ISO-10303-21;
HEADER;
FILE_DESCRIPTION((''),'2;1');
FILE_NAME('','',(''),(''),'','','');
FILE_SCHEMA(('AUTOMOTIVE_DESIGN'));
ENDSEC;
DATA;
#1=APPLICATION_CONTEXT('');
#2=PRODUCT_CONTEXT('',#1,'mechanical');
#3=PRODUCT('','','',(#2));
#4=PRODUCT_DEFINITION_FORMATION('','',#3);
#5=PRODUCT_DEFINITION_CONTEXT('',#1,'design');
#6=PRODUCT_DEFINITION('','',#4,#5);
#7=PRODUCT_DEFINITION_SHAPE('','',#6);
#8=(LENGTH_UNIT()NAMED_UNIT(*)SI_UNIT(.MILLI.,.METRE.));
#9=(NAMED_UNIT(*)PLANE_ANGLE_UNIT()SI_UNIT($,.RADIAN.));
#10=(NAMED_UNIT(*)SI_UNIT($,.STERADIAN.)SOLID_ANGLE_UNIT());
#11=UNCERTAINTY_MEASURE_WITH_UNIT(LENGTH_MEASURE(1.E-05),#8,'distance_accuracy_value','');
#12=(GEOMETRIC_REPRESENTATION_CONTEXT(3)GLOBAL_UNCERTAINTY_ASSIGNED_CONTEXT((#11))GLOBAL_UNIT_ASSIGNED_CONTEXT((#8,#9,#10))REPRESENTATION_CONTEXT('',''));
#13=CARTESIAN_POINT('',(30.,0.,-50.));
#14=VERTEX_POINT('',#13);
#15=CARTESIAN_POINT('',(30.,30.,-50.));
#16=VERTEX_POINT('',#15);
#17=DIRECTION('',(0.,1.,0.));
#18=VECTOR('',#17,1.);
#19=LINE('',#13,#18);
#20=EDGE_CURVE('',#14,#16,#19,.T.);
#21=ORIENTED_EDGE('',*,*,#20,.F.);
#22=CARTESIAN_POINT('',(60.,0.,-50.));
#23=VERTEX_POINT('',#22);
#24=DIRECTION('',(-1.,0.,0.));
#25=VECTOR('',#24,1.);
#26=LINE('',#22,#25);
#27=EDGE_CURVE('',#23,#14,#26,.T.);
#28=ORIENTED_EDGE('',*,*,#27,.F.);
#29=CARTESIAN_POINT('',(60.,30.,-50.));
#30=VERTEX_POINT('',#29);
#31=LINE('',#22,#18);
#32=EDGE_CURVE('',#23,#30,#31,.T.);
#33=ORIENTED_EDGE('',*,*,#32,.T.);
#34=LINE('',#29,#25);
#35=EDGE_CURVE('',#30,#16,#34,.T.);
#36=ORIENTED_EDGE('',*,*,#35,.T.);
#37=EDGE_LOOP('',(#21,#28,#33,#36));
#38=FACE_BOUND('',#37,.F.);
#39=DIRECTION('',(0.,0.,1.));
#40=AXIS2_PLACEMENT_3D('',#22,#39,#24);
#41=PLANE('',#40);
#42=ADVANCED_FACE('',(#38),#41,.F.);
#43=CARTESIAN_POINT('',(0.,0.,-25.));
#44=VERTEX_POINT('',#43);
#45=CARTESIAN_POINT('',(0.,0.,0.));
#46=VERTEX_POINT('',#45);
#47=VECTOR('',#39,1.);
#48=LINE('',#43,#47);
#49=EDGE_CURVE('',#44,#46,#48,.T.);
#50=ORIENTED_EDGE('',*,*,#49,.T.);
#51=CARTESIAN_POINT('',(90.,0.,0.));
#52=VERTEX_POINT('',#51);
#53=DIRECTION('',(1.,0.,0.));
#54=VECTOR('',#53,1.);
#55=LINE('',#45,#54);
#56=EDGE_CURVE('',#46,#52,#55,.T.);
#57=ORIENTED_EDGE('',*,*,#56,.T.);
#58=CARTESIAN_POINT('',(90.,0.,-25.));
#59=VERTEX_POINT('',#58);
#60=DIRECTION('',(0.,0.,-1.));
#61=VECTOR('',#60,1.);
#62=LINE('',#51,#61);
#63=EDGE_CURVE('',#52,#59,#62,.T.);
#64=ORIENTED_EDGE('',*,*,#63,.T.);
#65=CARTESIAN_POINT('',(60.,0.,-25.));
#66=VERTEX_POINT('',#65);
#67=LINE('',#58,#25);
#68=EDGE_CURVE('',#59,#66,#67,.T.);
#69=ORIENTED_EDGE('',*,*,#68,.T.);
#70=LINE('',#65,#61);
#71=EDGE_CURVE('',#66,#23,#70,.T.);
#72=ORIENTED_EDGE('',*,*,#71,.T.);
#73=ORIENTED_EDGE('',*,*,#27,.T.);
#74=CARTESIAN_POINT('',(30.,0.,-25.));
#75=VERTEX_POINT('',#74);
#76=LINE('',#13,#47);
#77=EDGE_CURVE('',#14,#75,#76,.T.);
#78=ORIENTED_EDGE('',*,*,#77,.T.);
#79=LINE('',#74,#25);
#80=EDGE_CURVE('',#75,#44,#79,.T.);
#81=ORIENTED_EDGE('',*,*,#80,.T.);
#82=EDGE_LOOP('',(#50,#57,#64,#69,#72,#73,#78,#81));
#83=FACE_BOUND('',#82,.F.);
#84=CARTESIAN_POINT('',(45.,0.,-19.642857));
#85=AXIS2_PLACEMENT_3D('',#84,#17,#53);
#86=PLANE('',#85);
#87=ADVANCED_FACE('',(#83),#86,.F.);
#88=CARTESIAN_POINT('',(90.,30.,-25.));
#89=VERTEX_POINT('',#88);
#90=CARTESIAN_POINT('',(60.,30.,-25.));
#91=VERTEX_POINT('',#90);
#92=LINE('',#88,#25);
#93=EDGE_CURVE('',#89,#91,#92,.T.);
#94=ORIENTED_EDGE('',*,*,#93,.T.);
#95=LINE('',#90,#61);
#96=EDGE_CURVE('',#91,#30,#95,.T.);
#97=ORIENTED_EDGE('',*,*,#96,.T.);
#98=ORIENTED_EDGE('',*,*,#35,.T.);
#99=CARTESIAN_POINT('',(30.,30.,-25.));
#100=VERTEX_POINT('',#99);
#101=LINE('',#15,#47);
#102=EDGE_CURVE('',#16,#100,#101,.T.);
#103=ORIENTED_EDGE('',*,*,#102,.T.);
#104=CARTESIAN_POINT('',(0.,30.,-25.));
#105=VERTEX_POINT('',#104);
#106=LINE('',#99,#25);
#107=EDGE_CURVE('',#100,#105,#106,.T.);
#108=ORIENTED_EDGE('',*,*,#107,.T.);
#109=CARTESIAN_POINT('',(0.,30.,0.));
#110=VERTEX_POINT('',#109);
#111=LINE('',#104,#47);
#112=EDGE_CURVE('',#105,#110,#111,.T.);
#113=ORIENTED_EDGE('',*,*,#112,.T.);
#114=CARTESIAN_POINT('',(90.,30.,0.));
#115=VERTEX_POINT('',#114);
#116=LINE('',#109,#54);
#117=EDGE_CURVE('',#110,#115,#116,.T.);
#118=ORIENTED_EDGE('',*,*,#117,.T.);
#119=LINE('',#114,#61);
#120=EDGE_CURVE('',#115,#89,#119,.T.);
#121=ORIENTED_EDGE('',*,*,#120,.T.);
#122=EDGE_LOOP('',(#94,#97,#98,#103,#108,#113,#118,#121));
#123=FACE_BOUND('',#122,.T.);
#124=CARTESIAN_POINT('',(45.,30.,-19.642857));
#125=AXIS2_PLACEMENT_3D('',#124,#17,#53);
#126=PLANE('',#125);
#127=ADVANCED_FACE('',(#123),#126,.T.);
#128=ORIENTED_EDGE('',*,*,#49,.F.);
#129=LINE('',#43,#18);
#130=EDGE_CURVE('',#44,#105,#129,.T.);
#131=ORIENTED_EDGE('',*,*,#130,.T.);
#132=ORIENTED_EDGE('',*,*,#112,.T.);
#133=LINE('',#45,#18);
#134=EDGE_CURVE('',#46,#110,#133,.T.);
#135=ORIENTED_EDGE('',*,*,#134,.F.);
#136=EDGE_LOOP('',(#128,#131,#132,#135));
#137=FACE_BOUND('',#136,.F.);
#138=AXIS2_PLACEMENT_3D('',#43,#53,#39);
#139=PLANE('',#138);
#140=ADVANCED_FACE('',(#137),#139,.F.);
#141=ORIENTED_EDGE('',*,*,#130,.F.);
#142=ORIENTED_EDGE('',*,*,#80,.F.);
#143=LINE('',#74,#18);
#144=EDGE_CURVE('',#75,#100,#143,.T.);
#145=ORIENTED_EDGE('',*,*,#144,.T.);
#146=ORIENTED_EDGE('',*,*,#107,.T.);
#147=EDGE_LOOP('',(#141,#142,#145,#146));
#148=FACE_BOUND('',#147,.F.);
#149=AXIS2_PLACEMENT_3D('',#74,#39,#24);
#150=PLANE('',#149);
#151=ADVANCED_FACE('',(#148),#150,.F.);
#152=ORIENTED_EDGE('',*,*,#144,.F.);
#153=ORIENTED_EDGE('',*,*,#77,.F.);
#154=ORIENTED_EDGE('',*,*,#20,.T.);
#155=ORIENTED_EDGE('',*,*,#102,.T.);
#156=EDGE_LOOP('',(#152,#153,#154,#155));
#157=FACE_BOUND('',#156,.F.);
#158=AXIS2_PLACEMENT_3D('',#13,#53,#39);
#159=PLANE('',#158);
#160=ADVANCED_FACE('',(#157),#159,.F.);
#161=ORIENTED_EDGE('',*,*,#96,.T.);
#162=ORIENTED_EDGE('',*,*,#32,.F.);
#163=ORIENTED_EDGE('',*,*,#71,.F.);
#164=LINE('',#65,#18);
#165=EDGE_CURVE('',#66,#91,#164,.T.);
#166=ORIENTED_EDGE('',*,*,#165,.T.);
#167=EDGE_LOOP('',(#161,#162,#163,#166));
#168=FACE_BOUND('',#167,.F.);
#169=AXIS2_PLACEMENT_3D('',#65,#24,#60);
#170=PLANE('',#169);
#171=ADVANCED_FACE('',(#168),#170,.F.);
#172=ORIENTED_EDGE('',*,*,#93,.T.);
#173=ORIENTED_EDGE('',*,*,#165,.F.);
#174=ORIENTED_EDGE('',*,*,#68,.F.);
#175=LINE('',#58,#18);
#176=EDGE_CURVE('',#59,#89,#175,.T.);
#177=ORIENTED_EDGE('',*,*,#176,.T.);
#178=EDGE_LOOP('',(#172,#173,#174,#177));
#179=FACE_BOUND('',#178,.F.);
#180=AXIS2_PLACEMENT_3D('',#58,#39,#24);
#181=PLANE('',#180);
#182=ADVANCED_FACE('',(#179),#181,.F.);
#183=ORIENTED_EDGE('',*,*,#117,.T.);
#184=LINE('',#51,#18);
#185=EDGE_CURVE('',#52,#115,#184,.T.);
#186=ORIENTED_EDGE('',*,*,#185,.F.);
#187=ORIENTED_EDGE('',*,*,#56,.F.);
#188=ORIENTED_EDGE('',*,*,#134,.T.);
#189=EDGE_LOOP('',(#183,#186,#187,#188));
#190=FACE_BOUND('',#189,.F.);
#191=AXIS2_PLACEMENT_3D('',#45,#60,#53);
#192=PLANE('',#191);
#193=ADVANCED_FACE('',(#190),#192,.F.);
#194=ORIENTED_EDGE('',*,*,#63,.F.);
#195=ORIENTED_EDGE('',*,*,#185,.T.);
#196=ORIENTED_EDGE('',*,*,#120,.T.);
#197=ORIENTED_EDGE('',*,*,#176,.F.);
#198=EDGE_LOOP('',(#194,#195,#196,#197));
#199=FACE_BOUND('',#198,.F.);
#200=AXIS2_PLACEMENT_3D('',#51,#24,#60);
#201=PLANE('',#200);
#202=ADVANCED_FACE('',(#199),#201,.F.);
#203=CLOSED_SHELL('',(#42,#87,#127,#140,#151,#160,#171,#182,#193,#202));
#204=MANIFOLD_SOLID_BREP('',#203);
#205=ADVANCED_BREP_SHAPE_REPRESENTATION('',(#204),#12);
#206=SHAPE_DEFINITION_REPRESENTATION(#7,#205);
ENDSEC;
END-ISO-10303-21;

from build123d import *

# Parameters (mm, degrees)
BOSS_EXTRUDE1_DEPTH = 30


with BuildPart() as part:
    # Sketch1 → Boss-Extrude1 (new body)
    with BuildSketch(Plane(origin=(0, 0, 0), x_dir=(1, 0, 0), z_dir=(0, 1, 0))):
        Polygon((0, 0), (90, 0), (90, 25), (60, 25), (60, 50), (30, 50), (30, 25), (0, 25), align=None)
    extrude(amount=BOSS_EXTRUDE1_DEPTH)


solid = part.part
